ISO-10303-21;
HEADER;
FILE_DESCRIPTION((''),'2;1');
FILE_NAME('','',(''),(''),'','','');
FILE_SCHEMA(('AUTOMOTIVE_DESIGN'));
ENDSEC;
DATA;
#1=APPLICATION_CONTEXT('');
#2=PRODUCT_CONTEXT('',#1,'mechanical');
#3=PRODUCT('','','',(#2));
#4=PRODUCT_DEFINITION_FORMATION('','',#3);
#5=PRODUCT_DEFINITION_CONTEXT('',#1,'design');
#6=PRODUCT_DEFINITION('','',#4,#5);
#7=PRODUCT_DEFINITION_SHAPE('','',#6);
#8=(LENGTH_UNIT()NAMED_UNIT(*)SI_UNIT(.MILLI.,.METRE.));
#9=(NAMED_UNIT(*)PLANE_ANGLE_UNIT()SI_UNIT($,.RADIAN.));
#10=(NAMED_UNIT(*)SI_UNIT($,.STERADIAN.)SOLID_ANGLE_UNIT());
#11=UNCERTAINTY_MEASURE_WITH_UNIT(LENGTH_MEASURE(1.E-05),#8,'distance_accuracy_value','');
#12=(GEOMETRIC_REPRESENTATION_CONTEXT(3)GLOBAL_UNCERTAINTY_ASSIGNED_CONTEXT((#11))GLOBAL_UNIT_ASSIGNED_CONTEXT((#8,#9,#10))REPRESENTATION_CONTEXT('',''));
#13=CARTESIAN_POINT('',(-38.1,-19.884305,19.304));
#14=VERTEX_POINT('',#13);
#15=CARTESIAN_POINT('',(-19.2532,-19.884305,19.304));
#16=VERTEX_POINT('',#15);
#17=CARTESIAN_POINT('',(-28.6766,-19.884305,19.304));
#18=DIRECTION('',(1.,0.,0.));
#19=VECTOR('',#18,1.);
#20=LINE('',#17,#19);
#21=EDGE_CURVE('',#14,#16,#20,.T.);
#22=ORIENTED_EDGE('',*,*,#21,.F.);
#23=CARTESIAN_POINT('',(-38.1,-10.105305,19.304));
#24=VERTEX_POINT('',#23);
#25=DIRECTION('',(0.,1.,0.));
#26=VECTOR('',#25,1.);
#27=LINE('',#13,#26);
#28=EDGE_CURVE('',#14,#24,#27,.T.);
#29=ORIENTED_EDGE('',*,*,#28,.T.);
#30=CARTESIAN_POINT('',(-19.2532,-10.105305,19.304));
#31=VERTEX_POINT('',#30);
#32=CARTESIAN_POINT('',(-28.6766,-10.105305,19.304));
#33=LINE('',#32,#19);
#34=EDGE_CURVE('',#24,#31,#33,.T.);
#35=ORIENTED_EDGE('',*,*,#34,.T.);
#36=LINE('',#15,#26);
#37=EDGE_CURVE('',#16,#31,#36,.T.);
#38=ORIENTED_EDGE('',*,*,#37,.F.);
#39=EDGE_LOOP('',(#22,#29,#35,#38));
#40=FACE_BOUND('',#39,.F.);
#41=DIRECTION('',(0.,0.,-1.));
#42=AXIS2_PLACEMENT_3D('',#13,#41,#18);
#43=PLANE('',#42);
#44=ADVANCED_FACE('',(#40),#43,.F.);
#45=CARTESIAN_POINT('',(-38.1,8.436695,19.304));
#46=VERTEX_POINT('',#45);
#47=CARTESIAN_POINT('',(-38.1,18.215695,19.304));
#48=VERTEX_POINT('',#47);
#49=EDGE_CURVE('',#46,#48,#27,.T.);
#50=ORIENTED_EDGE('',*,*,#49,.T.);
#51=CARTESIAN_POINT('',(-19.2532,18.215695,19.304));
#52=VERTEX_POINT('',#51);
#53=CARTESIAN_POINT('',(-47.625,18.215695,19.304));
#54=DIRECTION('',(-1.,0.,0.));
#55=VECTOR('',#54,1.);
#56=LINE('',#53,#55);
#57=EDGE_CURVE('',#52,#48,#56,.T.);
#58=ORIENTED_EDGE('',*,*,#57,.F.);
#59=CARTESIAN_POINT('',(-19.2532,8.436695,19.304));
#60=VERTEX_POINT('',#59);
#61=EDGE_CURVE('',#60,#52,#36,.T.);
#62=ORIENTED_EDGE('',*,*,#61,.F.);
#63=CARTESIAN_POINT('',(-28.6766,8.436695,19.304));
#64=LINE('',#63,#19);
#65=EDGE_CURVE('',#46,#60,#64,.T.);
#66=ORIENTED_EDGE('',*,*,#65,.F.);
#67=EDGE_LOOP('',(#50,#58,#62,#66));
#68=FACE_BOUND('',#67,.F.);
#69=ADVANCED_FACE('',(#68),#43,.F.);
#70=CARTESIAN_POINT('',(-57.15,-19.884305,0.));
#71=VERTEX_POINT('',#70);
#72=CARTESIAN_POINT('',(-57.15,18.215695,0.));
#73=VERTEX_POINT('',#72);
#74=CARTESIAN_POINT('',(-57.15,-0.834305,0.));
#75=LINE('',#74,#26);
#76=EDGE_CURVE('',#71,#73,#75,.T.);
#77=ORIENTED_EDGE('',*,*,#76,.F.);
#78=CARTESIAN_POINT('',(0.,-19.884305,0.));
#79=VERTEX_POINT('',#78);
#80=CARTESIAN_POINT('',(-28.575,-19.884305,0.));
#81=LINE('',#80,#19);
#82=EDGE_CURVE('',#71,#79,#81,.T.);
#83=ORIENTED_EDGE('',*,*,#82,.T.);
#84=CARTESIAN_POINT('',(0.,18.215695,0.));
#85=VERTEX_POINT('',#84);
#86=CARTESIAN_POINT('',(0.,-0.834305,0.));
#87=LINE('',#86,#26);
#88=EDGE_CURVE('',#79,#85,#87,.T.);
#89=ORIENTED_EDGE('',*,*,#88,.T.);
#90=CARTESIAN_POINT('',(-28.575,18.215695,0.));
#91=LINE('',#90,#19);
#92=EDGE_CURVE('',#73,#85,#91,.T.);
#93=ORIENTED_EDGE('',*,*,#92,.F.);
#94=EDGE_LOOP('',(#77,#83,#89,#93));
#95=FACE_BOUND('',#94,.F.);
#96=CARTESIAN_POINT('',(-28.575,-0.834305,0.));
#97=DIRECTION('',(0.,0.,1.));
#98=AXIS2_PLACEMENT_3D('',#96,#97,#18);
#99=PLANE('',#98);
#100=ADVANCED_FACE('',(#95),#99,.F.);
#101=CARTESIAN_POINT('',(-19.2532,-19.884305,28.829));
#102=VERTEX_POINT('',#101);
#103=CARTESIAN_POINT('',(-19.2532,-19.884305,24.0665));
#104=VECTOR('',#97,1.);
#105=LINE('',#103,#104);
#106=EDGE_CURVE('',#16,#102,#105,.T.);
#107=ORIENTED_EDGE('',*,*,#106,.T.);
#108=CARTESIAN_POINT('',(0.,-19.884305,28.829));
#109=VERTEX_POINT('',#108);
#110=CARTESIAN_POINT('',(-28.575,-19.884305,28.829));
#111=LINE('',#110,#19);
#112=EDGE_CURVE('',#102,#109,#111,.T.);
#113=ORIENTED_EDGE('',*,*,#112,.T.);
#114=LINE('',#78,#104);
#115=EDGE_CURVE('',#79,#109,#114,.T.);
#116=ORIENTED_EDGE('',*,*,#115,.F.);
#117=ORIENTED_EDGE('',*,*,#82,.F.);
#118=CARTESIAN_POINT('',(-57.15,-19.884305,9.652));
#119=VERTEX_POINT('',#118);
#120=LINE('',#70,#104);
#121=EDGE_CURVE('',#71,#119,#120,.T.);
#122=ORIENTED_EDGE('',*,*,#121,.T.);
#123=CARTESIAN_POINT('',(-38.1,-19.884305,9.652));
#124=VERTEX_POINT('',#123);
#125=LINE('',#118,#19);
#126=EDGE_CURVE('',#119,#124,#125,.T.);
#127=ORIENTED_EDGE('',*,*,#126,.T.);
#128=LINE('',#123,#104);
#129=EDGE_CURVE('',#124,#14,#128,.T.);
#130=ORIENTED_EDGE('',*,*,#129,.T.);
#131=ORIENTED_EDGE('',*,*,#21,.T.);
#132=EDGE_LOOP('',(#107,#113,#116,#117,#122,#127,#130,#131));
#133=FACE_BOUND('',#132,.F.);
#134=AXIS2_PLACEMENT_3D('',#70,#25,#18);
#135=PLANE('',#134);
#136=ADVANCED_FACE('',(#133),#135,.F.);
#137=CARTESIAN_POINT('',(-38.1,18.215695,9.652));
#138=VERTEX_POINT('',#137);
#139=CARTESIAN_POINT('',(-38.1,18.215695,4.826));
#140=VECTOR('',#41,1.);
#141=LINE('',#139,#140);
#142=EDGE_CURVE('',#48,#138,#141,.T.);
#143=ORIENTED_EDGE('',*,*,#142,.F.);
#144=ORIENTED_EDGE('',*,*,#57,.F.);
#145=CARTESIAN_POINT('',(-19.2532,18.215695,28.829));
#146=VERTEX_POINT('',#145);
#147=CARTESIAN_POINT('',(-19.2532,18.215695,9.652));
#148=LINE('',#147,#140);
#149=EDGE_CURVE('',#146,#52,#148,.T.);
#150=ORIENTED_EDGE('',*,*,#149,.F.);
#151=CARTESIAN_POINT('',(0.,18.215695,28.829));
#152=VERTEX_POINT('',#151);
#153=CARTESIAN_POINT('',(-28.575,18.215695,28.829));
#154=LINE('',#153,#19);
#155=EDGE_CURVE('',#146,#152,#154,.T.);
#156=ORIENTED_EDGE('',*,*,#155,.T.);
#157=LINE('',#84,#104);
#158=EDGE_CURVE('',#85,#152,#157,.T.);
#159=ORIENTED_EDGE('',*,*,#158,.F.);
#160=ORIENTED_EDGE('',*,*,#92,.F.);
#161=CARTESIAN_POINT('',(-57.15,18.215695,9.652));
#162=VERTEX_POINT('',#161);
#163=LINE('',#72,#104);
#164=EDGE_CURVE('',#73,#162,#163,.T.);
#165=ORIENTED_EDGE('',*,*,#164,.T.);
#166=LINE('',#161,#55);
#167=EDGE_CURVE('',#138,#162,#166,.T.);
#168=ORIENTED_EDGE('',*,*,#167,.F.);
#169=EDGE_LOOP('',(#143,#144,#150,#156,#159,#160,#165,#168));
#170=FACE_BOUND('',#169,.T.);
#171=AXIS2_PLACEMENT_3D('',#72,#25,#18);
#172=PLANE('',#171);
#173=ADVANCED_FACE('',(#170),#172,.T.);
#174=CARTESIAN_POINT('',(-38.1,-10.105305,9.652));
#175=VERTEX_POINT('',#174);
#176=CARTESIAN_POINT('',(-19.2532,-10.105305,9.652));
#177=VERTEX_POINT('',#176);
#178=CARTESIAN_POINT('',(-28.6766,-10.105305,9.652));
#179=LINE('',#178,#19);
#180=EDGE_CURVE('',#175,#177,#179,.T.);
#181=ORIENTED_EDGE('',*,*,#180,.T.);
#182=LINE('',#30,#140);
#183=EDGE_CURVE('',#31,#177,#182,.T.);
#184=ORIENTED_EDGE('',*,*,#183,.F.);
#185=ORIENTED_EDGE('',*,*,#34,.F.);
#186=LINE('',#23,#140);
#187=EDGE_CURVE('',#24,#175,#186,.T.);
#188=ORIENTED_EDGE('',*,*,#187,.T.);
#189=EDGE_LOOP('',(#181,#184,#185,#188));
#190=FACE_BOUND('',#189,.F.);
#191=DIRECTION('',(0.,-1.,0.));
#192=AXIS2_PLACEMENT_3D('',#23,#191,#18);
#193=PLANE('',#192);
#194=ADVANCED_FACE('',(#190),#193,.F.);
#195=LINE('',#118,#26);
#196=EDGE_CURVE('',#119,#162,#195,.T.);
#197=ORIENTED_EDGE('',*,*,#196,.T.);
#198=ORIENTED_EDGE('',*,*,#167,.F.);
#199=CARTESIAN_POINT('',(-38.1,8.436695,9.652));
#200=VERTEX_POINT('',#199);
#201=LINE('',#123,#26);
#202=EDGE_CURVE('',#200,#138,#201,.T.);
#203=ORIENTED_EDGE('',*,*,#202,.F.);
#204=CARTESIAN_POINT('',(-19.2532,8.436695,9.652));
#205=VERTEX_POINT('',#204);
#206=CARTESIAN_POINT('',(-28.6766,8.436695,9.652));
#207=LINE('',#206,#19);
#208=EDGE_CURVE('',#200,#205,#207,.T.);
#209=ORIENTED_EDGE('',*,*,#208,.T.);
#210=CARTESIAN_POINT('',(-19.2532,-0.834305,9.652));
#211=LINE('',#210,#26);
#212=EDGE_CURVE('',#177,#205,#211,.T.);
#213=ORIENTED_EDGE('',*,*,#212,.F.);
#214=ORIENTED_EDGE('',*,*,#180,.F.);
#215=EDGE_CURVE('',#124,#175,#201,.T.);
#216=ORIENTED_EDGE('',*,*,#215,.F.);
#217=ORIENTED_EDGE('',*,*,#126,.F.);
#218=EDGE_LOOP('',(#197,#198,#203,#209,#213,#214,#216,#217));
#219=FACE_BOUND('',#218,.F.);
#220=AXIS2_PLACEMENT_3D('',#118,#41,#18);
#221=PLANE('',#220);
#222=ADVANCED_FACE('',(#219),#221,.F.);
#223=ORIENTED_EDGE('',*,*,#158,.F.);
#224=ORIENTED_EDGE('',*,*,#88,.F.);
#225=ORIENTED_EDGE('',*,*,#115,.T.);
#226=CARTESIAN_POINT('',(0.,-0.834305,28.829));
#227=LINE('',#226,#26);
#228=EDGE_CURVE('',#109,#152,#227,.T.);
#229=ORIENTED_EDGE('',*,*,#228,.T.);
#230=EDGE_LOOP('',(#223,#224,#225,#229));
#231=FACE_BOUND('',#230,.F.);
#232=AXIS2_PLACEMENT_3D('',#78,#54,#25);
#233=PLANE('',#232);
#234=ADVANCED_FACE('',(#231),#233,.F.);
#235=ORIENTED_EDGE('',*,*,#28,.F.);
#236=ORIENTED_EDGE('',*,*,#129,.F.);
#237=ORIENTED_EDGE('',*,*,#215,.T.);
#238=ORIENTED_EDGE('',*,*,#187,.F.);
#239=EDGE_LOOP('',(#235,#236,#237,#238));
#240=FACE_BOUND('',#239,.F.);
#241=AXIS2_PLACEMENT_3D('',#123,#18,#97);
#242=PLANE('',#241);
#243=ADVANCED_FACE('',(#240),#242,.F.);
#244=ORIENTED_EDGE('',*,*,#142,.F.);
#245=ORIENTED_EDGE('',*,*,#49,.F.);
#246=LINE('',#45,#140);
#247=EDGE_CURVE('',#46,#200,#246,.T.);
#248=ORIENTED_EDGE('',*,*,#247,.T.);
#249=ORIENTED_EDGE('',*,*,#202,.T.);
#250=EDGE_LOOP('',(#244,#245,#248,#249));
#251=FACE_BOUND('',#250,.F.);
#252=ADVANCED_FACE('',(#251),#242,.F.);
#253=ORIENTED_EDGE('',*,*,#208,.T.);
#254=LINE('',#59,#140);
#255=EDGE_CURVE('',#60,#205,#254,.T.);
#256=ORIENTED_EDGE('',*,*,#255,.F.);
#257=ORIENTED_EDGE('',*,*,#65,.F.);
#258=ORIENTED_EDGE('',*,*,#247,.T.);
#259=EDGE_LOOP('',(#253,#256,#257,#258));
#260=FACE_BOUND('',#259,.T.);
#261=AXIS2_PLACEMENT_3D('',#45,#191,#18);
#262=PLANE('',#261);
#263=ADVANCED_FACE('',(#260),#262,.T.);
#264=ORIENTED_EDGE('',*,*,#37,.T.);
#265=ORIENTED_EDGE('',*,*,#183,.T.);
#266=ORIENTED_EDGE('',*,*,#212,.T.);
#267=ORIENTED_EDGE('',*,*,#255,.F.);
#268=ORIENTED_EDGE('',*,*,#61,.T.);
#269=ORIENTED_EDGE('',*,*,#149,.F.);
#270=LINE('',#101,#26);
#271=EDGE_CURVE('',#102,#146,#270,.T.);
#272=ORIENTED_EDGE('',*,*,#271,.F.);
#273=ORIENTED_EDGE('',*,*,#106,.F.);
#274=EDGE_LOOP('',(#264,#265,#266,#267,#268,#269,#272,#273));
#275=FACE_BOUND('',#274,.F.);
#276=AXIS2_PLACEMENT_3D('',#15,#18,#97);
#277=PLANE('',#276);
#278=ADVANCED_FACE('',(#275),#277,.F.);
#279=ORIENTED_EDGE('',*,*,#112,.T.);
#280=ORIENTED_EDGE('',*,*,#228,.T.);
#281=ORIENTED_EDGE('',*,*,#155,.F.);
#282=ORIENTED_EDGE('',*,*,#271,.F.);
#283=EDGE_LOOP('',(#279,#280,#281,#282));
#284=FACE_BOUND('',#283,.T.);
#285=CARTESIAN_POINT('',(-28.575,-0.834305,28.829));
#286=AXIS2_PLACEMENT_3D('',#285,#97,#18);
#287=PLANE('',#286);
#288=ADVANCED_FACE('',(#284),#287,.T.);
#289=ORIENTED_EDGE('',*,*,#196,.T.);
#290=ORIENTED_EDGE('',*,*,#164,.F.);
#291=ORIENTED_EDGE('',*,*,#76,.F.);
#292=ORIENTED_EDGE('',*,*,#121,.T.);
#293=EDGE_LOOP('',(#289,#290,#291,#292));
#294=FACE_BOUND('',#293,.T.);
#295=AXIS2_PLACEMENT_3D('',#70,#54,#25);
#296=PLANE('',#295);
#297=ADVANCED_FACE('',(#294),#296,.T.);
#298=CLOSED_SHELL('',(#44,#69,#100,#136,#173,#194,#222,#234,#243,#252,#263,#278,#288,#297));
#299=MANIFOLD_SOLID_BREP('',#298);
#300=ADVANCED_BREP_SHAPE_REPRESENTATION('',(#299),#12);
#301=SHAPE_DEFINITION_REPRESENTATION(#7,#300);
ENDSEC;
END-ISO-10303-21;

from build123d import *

# Parameters (mm, degrees)
F0_W     = 57.15
F0_H     = 38.1
F1_DEPTH = 28.829
F2_W     = 18.8468
F2_H     = 9.525
F3_DEPTH = 38.101
F4_W     = 18.8468
F4_H     = 18.542
F5_DEPTH = 9.652


with BuildPart() as f1:
    # F0 (on Top) → F1 (new body)
    with BuildSketch(Plane.XY):
        with Locations((-28.575, -0.834305)):
            Rectangle(F0_W, F0_H)
    extrude(amount=F1_DEPTH)

    # F2 (on face) → F3 (cut, through all)
    with BuildSketch(Plane.XZ.offset(19.884305)):
        Polygon((-57.15, 28.829), (-57.15, 9.652), (-38.1, 9.652), (-38.1, 19.2405), (-38.1, 19.304), (-38.1, 28.829), align=None)
        with Locations((-28.6766, 24.0665)):
            Rectangle(F2_W, F2_H)
    extrude(amount=-F3_DEPTH, mode=Mode.SUBTRACT)

    # F4 (on face) → F5 (cut)
    with BuildSketch(Plane.XY.offset(19.304)):
        with Locations((-28.6766, -0.834305)):
            Rectangle(F4_W, F4_H)
    extrude(amount=-F5_DEPTH, mode=Mode.SUBTRACT)


solid = f1.part
